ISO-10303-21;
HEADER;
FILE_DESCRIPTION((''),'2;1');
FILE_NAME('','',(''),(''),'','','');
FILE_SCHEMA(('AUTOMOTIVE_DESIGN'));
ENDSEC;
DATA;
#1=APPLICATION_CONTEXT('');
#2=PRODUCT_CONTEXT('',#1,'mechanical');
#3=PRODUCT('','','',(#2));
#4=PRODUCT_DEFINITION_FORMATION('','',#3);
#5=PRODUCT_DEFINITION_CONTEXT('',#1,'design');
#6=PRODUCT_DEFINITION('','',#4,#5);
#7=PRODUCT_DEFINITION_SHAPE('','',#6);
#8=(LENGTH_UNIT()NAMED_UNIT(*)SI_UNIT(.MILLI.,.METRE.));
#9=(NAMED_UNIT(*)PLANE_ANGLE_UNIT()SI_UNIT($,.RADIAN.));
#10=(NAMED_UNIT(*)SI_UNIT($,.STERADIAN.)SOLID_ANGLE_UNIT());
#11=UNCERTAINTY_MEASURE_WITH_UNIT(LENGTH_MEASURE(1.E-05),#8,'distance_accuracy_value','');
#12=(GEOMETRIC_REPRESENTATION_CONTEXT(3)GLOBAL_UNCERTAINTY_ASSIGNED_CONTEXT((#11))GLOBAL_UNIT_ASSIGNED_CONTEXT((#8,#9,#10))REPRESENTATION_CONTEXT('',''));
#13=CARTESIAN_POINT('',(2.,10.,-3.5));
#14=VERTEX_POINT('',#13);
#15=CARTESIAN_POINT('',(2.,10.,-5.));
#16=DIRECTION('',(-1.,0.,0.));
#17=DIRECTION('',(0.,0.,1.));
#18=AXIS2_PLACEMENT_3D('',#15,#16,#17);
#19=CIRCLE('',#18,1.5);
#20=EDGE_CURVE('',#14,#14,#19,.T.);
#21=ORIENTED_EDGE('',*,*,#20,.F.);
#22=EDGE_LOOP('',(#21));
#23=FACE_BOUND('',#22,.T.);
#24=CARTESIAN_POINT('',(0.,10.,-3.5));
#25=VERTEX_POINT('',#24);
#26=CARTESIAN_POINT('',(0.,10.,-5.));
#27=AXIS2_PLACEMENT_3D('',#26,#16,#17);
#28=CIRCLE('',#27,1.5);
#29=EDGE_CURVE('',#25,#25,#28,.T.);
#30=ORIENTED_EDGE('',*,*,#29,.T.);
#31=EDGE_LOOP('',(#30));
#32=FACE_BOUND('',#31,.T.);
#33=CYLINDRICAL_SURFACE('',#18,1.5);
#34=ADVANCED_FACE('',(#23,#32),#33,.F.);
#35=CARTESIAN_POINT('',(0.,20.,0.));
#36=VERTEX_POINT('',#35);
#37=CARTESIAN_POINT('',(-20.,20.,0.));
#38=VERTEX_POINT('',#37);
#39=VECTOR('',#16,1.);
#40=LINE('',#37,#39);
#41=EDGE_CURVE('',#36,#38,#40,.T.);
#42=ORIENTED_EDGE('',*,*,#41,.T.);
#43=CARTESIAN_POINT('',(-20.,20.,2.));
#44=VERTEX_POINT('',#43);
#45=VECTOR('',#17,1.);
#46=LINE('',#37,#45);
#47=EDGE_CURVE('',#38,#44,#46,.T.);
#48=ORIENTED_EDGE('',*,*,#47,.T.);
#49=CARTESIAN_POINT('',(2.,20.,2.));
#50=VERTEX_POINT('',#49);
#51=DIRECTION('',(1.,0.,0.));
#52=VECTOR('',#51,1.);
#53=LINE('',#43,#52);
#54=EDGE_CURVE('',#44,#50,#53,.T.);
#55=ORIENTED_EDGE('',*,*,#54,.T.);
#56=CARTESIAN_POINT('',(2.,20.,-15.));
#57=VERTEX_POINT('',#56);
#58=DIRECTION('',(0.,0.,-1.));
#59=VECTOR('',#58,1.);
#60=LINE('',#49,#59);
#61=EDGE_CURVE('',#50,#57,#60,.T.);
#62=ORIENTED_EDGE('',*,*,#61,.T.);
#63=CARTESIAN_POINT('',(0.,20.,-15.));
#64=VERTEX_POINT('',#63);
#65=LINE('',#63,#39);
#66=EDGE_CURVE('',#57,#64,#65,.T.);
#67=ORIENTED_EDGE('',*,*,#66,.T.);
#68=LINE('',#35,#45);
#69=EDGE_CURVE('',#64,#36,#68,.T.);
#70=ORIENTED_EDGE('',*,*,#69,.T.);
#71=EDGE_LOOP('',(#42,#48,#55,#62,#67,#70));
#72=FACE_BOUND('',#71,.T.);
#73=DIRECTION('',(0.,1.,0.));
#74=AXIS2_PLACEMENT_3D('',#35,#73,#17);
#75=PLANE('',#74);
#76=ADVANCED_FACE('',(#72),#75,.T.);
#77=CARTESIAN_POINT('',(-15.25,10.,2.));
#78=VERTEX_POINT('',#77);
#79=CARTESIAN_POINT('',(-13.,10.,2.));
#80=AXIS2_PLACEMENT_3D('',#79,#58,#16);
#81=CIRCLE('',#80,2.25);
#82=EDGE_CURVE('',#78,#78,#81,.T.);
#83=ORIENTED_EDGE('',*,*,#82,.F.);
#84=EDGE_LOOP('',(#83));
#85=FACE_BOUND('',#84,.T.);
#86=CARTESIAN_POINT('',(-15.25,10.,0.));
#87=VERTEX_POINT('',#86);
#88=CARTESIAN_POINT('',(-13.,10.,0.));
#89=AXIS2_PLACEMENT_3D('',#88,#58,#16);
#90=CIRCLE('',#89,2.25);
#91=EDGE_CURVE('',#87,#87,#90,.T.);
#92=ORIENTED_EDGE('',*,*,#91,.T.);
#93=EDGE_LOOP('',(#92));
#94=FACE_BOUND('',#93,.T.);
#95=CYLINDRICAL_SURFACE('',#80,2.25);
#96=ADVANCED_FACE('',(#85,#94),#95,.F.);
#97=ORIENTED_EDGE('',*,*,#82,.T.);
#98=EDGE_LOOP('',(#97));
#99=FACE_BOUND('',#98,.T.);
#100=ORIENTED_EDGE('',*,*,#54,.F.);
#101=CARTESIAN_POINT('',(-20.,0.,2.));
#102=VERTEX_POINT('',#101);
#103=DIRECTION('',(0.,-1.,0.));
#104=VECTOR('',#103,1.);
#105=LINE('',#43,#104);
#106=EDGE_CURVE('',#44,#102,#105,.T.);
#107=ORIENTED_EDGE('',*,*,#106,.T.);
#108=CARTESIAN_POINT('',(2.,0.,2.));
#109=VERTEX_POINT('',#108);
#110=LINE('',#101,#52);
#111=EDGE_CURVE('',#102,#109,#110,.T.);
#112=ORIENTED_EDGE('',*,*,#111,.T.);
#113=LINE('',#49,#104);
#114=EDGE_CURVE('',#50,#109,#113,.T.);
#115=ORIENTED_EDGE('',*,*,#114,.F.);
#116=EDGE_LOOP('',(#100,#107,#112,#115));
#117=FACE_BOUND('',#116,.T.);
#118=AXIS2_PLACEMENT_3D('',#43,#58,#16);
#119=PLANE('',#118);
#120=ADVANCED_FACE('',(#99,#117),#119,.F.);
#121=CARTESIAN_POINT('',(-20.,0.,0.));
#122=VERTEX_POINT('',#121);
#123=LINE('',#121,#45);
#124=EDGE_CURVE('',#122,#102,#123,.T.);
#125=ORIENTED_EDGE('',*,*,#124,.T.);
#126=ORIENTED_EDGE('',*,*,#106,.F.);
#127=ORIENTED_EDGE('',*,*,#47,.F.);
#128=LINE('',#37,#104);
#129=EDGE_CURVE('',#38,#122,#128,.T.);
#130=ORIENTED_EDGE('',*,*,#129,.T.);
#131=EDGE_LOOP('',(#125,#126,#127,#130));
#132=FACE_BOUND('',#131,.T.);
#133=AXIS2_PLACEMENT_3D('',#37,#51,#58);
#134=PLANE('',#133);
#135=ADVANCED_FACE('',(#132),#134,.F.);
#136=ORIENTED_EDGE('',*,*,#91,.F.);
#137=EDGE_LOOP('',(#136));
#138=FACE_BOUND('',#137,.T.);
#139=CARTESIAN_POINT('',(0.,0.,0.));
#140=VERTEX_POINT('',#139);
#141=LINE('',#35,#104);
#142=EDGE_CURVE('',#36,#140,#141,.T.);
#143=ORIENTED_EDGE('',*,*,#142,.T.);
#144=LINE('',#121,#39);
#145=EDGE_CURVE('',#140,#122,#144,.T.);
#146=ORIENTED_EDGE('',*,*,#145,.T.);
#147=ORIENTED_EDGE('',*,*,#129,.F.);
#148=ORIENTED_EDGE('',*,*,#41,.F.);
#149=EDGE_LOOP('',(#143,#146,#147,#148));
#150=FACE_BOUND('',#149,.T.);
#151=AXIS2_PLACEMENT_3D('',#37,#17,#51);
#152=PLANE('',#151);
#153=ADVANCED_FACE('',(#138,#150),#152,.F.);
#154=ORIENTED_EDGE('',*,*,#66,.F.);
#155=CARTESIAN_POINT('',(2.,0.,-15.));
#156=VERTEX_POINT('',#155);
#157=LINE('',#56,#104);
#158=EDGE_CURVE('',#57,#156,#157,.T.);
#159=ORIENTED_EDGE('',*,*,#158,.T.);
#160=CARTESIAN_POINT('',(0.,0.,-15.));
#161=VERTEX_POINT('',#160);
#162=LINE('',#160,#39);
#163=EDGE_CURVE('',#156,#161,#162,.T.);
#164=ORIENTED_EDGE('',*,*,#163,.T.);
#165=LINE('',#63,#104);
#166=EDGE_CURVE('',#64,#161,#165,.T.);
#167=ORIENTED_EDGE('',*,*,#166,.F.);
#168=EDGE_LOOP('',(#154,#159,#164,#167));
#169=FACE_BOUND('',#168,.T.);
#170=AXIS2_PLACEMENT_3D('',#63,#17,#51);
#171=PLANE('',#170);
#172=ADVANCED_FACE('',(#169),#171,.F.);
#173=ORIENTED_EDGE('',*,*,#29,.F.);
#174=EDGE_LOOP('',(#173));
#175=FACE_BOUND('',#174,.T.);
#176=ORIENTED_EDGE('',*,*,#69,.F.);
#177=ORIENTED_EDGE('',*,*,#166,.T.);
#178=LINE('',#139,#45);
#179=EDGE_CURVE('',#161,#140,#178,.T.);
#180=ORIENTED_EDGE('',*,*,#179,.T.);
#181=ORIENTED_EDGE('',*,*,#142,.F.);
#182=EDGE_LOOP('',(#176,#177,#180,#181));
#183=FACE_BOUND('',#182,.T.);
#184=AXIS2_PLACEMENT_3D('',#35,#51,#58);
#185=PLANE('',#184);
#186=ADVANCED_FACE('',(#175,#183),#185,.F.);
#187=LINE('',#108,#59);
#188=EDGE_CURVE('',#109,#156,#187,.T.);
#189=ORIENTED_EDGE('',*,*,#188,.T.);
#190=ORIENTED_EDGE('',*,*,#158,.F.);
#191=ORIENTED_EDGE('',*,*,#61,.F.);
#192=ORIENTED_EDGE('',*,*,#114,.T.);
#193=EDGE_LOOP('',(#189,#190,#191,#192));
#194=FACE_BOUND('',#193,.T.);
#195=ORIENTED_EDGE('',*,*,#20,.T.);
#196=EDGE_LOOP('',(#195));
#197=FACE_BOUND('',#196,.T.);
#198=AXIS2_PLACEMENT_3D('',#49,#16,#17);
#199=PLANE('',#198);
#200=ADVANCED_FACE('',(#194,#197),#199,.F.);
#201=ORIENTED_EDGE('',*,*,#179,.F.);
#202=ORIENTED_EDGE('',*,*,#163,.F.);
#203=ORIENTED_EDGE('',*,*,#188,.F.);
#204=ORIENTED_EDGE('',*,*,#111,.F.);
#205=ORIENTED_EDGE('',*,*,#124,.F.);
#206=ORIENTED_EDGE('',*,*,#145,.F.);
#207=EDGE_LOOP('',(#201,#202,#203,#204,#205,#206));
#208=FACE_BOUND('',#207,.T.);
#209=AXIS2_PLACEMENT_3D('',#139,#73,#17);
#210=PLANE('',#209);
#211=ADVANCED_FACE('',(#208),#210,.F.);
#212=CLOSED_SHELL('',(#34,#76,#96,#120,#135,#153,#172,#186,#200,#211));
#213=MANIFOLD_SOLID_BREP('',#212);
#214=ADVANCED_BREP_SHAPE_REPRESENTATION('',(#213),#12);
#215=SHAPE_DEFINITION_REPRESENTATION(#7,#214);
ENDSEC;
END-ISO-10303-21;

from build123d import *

# Parameters (mm, degrees)
BOSS_EXTRUDE1_DEPTH = 20
SKETCH3_R           = 2.25
CUT_EXTRUDE1_DEPTH  = 33.015621187
SKETCH4_R           = 1.5
CUT_EXTRUDE2_DEPTH  = 33.015621187


with BuildPart() as part:
    # Sketch2 → Boss-Extrude1 (new body)
    with BuildSketch(Plane(origin=(0, 0, 0), x_dir=(1, 0, 0), z_dir=(0, 1, 0))):
        Polygon((-20, 0), (0, 0), (0, 15), (2, 15), (2, -2), (-20, -2), align=None)
    extrude(amount=BOSS_EXTRUDE1_DEPTH)

    # Sketch3 → Cut-Extrude1 (cut, through all)
    with BuildSketch(Plane(origin=(0, 0, 0), x_dir=(-1, 0, 0), z_dir=(0, 0, -1))):
        with Locations((13, 10)):
            Circle(SKETCH3_R)
    extrude(amount=-CUT_EXTRUDE1_DEPTH, mode=Mode.SUBTRACT)

    # Sketch4 → Cut-Extrude2 (cut, through all)
    with BuildSketch(Plane.ZY):
        with Locations((-5, 10)):
            Circle(SKETCH4_R)
    extrude(amount=-CUT_EXTRUDE2_DEPTH, mode=Mode.SUBTRACT)


solid = part.part
